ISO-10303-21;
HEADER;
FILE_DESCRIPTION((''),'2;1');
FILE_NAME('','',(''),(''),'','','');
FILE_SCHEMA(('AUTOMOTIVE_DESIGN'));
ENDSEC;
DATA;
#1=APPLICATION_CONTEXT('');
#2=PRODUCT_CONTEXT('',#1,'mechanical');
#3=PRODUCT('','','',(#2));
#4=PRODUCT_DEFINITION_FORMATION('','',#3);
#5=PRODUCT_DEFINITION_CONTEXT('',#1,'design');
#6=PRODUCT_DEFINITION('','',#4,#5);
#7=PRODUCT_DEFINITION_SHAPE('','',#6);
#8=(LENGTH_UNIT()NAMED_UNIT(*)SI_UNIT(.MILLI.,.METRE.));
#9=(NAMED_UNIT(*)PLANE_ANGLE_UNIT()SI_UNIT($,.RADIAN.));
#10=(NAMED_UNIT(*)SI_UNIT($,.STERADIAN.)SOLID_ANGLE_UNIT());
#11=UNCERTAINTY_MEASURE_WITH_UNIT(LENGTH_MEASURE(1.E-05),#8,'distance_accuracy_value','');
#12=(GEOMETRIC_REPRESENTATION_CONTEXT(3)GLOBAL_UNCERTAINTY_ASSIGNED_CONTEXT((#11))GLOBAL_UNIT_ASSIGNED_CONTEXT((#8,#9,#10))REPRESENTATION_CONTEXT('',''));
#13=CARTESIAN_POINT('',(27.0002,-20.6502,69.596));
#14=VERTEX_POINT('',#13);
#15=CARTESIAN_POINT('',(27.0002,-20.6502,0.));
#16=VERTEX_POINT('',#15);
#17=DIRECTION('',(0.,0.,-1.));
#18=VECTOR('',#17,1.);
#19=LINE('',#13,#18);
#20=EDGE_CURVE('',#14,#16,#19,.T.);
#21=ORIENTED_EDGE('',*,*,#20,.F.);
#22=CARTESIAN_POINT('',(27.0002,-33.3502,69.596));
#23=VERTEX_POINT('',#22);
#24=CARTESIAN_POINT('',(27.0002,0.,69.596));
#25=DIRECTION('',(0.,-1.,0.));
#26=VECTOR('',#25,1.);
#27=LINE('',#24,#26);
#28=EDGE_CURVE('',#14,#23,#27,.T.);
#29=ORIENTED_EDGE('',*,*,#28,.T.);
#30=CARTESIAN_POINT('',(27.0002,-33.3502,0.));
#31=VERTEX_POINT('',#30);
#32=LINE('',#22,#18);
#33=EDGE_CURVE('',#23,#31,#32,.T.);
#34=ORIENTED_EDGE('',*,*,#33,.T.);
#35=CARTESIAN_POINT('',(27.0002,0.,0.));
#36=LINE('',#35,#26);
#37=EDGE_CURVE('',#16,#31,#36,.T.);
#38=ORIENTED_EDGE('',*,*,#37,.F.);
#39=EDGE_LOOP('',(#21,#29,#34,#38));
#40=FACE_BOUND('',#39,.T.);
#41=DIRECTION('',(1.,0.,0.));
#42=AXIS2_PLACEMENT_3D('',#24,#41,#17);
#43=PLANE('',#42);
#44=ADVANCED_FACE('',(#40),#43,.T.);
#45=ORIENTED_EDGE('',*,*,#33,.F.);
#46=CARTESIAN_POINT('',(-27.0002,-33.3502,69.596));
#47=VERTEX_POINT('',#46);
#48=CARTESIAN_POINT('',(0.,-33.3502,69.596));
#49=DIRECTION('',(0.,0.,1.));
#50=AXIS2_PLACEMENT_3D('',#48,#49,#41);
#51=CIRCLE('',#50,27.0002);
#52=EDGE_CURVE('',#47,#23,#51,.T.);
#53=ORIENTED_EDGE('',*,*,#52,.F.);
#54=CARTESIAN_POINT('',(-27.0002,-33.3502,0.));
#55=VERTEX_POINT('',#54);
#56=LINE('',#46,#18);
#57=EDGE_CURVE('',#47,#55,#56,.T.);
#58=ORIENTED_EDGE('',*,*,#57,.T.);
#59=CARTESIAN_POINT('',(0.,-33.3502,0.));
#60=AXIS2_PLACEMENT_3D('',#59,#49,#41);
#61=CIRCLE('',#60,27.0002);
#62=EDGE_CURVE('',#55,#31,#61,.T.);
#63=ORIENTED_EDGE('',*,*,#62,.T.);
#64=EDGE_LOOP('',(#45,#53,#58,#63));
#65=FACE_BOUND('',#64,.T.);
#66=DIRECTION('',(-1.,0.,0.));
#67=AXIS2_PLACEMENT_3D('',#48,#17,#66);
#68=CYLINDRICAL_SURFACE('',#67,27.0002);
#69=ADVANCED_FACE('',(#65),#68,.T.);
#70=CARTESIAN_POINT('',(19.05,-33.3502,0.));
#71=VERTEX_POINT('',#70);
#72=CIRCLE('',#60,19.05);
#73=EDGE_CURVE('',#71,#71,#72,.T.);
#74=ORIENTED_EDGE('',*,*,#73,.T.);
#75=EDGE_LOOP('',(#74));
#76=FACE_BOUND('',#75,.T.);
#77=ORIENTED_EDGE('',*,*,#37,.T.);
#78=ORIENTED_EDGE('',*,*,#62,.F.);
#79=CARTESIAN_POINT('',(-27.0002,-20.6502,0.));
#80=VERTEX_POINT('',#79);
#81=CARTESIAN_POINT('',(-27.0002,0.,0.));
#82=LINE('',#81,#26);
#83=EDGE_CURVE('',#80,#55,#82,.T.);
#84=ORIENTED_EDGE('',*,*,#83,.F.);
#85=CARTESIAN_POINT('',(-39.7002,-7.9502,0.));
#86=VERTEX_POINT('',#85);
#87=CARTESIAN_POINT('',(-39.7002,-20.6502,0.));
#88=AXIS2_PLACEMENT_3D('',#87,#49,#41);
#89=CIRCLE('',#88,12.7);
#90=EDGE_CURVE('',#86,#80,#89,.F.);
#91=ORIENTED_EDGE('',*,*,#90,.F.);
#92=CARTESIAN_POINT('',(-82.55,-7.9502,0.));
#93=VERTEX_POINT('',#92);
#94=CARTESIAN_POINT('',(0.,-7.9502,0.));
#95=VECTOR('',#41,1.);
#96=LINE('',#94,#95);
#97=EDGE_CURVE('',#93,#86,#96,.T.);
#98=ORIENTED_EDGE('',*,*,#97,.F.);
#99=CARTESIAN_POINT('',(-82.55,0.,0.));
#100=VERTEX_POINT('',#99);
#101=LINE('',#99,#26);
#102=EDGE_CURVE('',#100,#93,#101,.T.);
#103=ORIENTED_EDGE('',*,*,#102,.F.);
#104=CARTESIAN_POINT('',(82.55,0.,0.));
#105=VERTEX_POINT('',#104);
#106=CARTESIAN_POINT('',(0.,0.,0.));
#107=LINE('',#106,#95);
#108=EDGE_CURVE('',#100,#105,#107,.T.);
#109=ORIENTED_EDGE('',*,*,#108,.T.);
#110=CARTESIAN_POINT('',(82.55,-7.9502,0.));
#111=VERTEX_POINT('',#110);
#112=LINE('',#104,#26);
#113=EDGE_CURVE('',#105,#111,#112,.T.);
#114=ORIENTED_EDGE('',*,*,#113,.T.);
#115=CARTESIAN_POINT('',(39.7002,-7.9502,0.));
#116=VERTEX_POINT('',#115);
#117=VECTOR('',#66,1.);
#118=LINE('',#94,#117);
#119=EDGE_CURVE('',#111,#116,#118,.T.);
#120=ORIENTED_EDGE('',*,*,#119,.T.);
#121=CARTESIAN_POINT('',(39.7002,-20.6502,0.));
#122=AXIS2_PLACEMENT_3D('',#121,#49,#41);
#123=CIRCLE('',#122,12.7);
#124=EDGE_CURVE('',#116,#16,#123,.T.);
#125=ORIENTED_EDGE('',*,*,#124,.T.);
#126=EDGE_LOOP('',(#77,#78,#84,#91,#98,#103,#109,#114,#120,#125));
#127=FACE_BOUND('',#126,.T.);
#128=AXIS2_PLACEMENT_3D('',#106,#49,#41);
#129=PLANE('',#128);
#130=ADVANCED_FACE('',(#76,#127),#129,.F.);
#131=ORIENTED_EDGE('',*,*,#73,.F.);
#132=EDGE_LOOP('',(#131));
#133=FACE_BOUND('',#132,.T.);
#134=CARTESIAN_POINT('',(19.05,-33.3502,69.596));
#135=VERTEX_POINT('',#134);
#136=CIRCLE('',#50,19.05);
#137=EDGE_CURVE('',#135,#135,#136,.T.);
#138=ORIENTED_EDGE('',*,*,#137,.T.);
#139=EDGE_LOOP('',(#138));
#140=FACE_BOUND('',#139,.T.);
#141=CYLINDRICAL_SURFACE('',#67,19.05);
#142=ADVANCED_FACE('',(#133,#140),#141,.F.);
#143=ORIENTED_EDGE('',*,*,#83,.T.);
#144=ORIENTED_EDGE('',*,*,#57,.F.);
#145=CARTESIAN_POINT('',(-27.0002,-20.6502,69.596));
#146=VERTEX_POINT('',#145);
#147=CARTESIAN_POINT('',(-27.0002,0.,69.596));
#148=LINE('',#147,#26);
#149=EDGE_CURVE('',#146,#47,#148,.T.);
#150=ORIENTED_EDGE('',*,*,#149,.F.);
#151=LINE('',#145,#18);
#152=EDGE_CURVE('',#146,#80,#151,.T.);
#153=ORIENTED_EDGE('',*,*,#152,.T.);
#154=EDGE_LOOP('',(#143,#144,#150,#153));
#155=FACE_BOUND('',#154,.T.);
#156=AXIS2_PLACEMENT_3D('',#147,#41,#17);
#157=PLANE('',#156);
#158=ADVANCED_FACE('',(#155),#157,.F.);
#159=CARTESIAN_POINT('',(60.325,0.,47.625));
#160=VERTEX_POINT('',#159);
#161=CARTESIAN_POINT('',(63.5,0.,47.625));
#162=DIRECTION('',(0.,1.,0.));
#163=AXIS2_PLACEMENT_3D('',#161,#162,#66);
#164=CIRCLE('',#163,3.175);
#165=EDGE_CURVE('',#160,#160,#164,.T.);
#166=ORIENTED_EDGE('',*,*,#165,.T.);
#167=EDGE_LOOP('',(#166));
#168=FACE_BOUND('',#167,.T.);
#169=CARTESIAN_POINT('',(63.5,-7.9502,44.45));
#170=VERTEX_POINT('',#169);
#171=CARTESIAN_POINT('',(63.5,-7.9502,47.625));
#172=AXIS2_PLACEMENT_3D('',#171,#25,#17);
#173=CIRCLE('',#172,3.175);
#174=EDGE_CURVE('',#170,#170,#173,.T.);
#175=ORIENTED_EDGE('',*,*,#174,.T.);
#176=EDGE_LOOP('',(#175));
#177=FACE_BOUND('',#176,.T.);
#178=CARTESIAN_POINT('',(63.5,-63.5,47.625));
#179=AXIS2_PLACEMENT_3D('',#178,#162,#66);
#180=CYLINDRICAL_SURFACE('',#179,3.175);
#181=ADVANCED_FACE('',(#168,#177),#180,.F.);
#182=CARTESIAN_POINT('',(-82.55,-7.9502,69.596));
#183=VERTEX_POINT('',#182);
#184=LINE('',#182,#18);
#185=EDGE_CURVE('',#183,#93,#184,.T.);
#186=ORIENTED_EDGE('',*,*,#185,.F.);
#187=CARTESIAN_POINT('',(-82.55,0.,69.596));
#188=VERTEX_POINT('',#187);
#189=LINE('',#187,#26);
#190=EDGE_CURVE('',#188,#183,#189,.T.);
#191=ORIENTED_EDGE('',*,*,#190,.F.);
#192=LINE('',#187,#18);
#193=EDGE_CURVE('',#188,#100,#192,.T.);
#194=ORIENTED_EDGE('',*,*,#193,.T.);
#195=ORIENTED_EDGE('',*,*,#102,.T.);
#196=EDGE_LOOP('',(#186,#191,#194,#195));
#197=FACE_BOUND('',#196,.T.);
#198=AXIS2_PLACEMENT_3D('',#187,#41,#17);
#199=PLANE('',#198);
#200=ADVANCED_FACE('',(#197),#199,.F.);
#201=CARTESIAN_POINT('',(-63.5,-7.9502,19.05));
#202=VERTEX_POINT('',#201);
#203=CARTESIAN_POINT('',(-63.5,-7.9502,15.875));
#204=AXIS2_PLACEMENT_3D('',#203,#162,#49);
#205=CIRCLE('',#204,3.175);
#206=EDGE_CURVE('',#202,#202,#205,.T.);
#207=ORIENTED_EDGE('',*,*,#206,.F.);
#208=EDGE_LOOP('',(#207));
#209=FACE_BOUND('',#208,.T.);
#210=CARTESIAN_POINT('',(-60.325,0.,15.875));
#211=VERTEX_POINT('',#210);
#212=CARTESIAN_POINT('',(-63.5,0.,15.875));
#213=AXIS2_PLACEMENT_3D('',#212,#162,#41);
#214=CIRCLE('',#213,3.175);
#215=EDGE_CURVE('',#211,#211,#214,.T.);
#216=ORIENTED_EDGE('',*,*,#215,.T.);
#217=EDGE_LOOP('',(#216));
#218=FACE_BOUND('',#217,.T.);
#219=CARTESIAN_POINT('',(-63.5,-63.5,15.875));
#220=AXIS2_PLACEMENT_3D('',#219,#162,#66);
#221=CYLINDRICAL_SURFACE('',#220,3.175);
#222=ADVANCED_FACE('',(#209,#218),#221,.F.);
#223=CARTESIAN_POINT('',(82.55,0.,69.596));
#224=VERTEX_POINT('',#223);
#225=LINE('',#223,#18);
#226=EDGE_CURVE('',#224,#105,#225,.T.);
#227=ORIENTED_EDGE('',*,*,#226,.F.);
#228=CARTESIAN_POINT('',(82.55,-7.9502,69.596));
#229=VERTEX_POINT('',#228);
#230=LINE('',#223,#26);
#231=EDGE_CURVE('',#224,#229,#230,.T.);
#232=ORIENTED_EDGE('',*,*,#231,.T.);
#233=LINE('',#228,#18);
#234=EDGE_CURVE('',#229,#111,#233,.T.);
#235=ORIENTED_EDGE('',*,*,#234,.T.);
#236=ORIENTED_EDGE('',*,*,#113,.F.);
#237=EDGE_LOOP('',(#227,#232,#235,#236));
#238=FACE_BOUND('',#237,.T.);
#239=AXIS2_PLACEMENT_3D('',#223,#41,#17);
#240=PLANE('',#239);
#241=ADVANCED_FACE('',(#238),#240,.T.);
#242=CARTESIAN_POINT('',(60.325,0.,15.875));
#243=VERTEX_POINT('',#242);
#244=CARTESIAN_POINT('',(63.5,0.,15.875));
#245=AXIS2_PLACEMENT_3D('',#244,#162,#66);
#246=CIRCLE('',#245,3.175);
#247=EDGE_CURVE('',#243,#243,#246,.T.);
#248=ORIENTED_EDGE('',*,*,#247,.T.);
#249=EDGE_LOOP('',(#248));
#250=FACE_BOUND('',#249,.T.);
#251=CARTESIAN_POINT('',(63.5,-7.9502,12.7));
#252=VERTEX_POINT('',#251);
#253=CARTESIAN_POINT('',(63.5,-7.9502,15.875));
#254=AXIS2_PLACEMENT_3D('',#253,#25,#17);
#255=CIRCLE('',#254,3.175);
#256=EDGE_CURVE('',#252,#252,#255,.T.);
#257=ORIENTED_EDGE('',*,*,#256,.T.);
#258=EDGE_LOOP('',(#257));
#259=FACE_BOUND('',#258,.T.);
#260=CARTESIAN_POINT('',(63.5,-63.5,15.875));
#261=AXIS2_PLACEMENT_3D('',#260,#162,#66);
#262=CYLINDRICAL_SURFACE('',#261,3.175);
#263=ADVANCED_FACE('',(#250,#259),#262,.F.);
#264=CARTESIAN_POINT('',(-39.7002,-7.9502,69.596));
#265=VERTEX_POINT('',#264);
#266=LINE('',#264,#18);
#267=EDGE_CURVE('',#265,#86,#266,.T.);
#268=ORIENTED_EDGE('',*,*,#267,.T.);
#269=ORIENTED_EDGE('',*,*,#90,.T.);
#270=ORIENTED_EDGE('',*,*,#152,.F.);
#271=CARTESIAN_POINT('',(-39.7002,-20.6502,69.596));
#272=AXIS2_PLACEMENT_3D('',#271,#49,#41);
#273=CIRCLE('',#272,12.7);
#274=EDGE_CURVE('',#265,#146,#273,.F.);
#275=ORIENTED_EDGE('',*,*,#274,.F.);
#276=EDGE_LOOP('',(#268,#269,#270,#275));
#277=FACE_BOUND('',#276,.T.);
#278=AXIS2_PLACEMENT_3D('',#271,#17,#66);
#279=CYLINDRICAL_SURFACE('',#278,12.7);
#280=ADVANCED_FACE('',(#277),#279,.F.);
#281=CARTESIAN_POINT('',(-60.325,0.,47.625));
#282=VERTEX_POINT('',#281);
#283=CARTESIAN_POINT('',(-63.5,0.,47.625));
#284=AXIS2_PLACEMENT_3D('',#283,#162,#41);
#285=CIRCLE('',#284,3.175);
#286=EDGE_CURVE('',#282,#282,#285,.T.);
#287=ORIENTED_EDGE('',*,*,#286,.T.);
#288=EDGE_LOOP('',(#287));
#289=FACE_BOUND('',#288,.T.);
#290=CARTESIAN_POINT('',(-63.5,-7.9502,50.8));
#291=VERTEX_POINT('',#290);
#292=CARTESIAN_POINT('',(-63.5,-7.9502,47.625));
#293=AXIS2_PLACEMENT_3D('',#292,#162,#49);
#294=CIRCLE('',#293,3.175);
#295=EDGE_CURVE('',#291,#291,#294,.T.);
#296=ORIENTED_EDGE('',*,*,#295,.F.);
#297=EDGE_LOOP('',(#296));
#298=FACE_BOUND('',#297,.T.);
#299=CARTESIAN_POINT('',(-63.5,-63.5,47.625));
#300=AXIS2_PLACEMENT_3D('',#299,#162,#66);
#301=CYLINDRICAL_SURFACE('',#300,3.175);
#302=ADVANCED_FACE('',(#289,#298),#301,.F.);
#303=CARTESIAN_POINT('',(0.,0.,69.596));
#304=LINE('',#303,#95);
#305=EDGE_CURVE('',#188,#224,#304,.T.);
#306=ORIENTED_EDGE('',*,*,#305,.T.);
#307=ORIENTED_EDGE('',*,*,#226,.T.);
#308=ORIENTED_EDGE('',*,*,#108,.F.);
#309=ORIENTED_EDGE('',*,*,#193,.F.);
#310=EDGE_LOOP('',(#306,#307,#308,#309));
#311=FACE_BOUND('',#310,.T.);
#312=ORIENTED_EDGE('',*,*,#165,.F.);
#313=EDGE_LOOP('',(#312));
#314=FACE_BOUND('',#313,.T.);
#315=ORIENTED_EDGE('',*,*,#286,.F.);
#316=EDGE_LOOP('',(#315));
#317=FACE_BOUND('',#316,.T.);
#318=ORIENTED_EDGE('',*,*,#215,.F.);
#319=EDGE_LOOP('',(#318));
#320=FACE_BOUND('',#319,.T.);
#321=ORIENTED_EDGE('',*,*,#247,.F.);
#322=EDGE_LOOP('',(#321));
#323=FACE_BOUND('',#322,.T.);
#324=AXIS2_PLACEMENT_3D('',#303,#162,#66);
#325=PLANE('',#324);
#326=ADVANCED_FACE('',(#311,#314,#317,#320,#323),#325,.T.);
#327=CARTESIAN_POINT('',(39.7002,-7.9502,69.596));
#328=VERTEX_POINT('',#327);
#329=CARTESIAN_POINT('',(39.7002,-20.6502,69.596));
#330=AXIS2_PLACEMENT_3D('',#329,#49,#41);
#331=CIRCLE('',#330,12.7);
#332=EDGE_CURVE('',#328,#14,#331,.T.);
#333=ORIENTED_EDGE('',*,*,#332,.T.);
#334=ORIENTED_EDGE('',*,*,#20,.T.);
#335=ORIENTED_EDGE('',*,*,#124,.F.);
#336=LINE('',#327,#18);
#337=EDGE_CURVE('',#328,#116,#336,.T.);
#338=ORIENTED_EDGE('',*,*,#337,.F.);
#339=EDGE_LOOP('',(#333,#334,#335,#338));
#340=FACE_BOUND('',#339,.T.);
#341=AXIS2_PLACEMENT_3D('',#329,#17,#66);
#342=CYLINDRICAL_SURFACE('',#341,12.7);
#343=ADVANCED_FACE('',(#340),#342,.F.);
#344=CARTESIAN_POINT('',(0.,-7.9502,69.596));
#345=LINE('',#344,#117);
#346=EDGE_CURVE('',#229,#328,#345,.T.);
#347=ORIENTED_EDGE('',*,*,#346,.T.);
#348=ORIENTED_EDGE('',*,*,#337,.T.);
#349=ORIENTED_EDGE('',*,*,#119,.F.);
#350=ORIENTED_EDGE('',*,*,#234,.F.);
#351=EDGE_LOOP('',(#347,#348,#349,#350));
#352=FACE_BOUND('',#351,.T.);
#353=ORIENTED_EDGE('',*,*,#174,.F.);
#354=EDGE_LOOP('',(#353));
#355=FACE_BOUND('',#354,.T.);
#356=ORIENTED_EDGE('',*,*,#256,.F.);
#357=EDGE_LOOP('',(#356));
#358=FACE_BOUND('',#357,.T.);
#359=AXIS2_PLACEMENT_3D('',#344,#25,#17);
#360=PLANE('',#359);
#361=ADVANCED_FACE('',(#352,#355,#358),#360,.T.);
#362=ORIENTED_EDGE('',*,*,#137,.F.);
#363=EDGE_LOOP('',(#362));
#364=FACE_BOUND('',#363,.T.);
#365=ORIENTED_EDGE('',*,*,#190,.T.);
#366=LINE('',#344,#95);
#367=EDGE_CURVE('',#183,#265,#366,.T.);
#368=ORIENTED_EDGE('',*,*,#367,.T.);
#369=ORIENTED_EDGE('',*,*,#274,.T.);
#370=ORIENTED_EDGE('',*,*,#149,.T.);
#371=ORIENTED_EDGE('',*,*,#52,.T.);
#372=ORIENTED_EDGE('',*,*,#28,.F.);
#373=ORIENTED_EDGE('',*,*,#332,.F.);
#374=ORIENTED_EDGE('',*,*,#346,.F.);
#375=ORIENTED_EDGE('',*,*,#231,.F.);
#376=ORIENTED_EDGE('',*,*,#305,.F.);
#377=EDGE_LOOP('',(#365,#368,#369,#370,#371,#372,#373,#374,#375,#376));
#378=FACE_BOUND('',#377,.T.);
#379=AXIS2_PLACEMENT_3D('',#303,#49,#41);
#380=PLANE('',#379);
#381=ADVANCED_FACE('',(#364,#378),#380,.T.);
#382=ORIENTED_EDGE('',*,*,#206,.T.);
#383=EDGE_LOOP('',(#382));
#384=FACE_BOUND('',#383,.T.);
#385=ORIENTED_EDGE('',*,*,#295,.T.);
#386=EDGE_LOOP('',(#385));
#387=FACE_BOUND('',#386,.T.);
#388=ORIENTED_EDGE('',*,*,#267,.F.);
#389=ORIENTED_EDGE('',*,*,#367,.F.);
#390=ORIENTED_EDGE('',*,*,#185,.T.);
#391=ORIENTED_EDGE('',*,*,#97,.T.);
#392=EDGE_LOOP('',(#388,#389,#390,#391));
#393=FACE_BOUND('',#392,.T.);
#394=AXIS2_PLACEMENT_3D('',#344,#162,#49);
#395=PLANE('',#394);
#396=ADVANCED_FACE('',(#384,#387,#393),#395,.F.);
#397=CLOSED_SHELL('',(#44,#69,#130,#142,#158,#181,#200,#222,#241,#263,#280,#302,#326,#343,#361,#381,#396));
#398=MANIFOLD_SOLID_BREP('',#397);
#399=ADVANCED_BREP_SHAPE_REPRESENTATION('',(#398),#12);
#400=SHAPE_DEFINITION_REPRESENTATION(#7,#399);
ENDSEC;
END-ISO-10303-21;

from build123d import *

# Parameters (mm, degrees)
SKETCH1_R           = 19.05
BOSS_EXTRUDE1_DEPTH = 69.596
SKETCH2_R           = 3.175
CUT_EXTRUDE1_DEPTH  = 63.5


with BuildPart() as part:
    # Sketch1 → Boss-Extrude1 (new body)
    with BuildSketch(Plane.XY):
        with BuildLine():
            Line((82.55, 0), (-82.55, 0))
            Line((-82.55, 0), (-82.55, -7.9502))
            Line((-82.55, -7.9502), (-39.7002, -7.9502))
            ThreePointArc((-39.7002, -7.9502), (-30.719943879, -11.669943879), (-27.0002, -20.6502))
            Line((-27.0002, -20.6502), (-27.0002, -33.3502))
            ThreePointArc((-27.0002, -33.3502), (-19.092024562, -52.442224464), (-1.39e-07, -60.3504))
            ThreePointArc((-1.39e-07, -60.3504), (19.092024464, -52.442224562), (27.0002, -33.3502))
            Line((27.0002, -33.3502), (27.0002, -20.6502))
            ThreePointArc((27.0002, -20.6502), (30.719943879, -11.669943879), (39.7002, -7.9502))
            Line((39.7002, -7.9502), (82.55, -7.9502))
            Line((82.55, -7.9502), (82.55, 0))
        make_face()
        with Locations((0, -33.3502)):
            Circle(SKETCH1_R, mode=Mode.SUBTRACT)
    extrude(amount=BOSS_EXTRUDE1_DEPTH)

    # Sketch2 → Cut-Extrude1 (cut)
    with BuildSketch(Plane(origin=(0, 0, 0), x_dir=(1, 0, 0), z_dir=(0, 1, 0))):
        with Locations(Location((63.5, -15.875, 0), (0, 0, 180))):
            Circle(SKETCH2_R)
        with Locations(Location((63.5, -47.625, 0), (0, 0, 180))):
            Circle(SKETCH2_R)
        with Locations(Location((-63.5, -47.625, 0), (0, 0, 270))):
            Circle(SKETCH2_R)
        with Locations(Location((-63.5, -15.875, 0), (0, 0, 270))):
            Circle(SKETCH2_R)
    extrude(amount=-CUT_EXTRUDE1_DEPTH, mode=Mode.SUBTRACT)


solid = part.part
